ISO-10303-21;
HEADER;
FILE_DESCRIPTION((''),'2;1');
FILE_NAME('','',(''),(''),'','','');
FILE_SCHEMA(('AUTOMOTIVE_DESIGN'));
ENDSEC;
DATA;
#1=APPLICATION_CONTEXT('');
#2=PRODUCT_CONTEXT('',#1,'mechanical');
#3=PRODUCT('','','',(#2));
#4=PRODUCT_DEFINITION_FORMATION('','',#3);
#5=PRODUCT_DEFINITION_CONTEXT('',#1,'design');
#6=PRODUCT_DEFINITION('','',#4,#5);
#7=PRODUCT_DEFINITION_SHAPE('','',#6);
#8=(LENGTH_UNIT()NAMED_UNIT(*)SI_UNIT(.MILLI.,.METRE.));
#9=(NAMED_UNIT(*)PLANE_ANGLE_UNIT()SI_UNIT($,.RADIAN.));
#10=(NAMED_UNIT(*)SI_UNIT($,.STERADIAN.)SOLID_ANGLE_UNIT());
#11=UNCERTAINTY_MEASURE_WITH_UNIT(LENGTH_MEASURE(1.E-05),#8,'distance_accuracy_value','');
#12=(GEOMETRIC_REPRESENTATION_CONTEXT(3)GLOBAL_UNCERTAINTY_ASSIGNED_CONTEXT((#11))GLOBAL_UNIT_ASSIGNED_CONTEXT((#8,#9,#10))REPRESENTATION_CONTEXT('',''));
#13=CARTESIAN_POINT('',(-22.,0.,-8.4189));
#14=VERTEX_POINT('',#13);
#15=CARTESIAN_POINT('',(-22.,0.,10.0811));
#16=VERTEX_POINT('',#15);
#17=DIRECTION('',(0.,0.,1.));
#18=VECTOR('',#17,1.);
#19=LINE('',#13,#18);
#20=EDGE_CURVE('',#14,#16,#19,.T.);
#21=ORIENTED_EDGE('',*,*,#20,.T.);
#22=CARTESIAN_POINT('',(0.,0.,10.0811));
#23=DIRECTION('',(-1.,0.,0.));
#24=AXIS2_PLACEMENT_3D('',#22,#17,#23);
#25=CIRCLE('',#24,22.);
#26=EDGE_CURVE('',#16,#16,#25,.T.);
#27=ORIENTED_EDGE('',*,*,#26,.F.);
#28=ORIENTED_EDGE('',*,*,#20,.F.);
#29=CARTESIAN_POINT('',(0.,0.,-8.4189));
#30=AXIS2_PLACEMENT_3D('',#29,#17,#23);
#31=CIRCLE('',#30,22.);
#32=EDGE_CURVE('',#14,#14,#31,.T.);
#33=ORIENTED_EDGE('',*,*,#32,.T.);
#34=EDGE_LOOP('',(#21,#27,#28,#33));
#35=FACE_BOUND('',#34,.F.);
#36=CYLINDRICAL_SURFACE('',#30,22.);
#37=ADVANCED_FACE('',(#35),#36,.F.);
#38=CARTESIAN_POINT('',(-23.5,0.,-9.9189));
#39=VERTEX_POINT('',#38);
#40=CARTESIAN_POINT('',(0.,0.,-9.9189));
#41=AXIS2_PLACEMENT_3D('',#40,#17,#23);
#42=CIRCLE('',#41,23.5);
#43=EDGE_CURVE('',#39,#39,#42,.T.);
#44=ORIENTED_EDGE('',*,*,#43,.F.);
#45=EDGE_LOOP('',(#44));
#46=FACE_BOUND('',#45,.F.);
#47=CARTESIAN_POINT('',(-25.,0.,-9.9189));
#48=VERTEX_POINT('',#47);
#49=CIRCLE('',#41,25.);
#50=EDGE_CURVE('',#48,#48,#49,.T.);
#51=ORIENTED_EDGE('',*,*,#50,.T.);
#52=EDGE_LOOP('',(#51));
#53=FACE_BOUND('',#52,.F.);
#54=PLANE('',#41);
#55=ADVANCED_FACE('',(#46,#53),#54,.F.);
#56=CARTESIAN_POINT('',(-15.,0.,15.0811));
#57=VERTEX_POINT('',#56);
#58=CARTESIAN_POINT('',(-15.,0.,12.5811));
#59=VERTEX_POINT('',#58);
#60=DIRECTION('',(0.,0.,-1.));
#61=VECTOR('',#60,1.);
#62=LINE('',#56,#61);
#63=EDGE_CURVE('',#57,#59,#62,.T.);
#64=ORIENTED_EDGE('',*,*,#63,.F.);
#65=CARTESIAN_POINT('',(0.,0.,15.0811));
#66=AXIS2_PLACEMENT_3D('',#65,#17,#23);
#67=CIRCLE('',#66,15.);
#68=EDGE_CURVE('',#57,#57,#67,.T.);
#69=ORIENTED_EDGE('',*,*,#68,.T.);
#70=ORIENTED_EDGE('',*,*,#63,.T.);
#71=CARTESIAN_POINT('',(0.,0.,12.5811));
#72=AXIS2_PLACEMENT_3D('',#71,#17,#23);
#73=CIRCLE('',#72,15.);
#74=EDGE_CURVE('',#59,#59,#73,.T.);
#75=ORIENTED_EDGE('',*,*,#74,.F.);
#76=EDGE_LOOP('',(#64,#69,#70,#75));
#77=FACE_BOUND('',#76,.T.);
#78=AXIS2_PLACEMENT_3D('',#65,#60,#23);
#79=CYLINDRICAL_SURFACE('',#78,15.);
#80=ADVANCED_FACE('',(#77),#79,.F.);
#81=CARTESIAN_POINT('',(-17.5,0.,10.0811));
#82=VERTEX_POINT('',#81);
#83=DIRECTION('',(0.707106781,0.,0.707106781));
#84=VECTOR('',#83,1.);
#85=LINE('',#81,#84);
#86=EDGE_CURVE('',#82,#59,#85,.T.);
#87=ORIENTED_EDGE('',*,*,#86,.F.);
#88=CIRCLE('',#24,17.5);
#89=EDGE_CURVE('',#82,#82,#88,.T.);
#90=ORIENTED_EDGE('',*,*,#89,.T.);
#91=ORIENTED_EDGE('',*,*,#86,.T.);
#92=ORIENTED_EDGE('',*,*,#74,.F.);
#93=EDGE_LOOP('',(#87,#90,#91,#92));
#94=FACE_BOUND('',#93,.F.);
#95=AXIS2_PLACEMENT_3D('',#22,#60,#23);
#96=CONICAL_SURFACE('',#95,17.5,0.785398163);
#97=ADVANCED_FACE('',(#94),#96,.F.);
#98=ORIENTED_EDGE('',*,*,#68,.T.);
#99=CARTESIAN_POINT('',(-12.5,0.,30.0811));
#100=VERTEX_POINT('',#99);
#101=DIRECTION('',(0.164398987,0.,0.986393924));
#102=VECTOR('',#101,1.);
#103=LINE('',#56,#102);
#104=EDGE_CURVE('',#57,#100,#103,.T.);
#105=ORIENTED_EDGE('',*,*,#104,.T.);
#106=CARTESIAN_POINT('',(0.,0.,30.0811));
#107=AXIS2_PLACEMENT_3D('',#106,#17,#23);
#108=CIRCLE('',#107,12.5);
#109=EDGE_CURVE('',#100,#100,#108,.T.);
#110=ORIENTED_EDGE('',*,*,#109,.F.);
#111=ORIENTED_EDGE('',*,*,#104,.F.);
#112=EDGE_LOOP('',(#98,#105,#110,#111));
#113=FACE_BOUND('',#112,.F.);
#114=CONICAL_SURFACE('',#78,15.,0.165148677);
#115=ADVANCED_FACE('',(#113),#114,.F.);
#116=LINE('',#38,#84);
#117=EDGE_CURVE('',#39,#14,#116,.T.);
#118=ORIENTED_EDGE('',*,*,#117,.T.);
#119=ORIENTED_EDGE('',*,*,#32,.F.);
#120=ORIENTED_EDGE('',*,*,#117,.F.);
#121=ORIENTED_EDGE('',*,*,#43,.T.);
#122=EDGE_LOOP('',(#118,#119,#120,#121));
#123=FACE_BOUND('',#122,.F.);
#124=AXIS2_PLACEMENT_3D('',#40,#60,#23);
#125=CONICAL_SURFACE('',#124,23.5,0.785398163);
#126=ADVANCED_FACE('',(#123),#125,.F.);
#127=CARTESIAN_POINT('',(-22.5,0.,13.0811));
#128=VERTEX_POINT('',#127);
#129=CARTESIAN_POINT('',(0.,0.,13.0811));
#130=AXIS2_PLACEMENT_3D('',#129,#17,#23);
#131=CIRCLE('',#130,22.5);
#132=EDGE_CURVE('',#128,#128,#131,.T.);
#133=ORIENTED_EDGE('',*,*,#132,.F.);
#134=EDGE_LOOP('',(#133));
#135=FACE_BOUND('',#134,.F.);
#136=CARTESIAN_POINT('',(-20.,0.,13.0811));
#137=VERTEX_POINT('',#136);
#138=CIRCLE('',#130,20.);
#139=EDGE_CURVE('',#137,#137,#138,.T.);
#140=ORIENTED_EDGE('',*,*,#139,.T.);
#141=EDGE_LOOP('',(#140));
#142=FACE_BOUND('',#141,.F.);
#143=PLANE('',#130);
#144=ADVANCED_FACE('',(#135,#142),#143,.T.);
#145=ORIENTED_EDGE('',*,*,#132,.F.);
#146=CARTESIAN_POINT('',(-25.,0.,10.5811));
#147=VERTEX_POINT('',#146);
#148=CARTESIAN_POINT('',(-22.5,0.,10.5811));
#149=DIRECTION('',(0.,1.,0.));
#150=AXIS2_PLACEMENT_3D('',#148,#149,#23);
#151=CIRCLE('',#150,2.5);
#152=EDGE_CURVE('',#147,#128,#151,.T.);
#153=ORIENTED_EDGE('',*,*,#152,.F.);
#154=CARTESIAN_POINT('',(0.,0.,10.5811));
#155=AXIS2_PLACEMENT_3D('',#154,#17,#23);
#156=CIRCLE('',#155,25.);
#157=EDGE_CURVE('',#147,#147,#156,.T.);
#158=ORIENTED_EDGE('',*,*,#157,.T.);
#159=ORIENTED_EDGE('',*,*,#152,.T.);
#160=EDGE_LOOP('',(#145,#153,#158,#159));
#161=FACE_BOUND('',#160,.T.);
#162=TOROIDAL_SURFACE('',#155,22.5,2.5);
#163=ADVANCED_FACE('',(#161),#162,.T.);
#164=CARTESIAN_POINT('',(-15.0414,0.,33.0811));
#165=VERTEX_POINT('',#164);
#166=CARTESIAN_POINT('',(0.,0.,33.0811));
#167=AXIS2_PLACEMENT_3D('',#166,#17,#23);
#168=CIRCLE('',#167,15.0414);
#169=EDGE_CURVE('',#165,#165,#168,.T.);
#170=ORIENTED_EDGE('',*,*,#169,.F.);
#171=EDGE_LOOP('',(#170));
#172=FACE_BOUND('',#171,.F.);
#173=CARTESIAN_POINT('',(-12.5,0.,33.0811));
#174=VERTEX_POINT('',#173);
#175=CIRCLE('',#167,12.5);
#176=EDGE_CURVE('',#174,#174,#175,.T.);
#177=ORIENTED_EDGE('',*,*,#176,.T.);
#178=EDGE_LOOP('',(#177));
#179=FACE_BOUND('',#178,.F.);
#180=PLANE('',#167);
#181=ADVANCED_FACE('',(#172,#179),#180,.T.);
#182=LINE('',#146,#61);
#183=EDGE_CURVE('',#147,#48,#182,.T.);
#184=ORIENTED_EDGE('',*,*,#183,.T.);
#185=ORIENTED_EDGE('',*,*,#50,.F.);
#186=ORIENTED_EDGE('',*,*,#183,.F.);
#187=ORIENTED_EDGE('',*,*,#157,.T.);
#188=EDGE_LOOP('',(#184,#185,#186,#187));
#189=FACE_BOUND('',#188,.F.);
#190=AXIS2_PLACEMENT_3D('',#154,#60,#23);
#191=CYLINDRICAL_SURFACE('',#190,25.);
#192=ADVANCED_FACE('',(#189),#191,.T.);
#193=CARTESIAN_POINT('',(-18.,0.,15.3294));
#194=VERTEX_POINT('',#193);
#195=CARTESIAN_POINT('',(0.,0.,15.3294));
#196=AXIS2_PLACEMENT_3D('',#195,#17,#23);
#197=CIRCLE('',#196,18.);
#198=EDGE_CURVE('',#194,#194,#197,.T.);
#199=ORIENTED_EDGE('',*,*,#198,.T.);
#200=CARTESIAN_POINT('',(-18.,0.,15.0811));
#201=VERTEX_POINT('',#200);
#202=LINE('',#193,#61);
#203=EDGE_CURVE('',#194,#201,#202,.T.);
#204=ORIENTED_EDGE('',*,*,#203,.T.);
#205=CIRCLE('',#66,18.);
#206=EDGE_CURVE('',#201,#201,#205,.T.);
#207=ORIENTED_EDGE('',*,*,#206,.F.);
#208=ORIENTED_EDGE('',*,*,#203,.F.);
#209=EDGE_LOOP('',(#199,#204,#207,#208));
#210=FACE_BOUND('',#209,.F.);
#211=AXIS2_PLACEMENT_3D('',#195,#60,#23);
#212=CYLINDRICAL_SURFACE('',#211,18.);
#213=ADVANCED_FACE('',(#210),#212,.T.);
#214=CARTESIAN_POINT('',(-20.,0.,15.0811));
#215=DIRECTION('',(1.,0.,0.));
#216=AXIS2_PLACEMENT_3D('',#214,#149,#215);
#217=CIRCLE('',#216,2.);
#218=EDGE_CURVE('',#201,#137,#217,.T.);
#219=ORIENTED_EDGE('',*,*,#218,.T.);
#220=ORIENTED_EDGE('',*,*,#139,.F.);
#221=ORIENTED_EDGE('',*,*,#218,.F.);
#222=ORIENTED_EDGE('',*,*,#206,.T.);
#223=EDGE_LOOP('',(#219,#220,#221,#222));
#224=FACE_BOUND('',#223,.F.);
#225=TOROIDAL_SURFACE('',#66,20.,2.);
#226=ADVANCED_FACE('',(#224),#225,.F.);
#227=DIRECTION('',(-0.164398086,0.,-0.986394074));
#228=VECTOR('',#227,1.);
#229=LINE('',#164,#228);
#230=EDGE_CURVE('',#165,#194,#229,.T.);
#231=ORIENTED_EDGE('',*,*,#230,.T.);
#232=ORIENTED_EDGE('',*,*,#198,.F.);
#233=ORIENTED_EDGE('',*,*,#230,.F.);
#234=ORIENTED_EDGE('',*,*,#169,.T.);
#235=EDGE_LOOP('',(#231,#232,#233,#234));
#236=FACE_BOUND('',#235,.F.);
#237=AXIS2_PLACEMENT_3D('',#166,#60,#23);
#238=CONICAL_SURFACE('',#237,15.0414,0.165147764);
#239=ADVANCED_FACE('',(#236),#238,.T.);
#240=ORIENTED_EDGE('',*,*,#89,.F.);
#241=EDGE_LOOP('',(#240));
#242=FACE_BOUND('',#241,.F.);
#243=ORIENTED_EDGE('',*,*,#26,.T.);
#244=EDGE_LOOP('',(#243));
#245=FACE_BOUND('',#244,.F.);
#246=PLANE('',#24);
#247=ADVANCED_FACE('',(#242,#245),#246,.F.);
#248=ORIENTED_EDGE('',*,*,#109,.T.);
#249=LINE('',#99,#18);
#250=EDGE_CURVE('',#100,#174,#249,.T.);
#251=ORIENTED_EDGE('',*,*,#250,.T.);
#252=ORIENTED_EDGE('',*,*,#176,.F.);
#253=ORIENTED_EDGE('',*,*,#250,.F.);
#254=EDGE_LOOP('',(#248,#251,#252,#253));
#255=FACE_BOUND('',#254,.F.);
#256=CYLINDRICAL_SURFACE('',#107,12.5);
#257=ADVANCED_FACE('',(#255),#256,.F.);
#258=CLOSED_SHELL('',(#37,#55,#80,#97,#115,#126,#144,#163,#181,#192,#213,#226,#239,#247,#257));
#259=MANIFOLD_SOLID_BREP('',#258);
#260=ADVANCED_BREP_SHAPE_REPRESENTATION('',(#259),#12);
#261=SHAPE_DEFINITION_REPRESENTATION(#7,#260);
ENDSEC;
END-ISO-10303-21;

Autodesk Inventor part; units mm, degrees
ref_plane "YZ Plane" through (0, 0, 0) normal (1, 0, 0) x (0, 1, 0)
ref_plane "XZ Plane" through (0, 0, 0) normal (0, 1, 0) x (-1, 0, 0)
ref_plane "XY Plane" through (0, 0, 0) normal (0, 0, 1) x (1, 0, 0)
sketch "Sketch1" plane through (0, 0, 0) normal (0, 1, 0) x (-1, 0, 0)
  line L0 (0, -11.9189) -> (0, 17.2618)
  line L1 (22, -8.4189) -> (22, 10.0811)
  line L2 (15, 15.0811) -> (15, 12.5811)
  line L3 (22, 10.0811) -> (17.5, 10.0811)
  line L4 (15, 15.0811) -> (12.5, 30.0811)
  line L5 (12.5, 33.0811) -> (15.0414, 33.0811)
  line L6 (15.0414, 33.0811) -> (18, 15.3294)
  line L7 (18, 15.3294) -> (18, 15.0811)
  line L8 (20, 13.0811) -> (22.5, 13.0811)
  line L9 (25, 10.5811) -> (25, -9.9189)
  line L10 (25, -9.9189) -> (23.5, -9.9189)
  line L11 (12.5, 30.0811) -> (12.5, 33.0811)
  line L12 (17.5, 10.0811) -> (15, 12.5811)
  arc A0 (25, 10.5811) -> (22.5, 13.0811) centre (22.5, 10.5811) ccw
  arc A1 (18, 15.0811) -> (20, 13.0811) centre (20, 15.0811) ccw
  line L13 (23.5, -9.9189) -> (22, -8.4189)
  point P0 (0, 0)
  point P1 (22, -9.9189)
  point P2 (15, 30.0811)
  point P3 (15, 10.0811)
  dimension "d14" = 20
  dimension "d15" = 44
  dimension "d22" = 15
  dimension "d23" = 2.5
  dimension "d24" = 2.5
  dimension "d25" = 2.5
  dimension "d26" = 2.5
  dimension "d27" = 2
  dimension "d28" = 1.5
  dimension "d29" = 1.5
revolve "Revolution1" add sketch "Sketch1" angle 360 about axis through (0, 0, -11.9189) along (0, 0, 1)
equation "\"d25\" = d24"
equation "\"d29\" = d28"
properties part number "NOZZLE-EXTRUSOR"
